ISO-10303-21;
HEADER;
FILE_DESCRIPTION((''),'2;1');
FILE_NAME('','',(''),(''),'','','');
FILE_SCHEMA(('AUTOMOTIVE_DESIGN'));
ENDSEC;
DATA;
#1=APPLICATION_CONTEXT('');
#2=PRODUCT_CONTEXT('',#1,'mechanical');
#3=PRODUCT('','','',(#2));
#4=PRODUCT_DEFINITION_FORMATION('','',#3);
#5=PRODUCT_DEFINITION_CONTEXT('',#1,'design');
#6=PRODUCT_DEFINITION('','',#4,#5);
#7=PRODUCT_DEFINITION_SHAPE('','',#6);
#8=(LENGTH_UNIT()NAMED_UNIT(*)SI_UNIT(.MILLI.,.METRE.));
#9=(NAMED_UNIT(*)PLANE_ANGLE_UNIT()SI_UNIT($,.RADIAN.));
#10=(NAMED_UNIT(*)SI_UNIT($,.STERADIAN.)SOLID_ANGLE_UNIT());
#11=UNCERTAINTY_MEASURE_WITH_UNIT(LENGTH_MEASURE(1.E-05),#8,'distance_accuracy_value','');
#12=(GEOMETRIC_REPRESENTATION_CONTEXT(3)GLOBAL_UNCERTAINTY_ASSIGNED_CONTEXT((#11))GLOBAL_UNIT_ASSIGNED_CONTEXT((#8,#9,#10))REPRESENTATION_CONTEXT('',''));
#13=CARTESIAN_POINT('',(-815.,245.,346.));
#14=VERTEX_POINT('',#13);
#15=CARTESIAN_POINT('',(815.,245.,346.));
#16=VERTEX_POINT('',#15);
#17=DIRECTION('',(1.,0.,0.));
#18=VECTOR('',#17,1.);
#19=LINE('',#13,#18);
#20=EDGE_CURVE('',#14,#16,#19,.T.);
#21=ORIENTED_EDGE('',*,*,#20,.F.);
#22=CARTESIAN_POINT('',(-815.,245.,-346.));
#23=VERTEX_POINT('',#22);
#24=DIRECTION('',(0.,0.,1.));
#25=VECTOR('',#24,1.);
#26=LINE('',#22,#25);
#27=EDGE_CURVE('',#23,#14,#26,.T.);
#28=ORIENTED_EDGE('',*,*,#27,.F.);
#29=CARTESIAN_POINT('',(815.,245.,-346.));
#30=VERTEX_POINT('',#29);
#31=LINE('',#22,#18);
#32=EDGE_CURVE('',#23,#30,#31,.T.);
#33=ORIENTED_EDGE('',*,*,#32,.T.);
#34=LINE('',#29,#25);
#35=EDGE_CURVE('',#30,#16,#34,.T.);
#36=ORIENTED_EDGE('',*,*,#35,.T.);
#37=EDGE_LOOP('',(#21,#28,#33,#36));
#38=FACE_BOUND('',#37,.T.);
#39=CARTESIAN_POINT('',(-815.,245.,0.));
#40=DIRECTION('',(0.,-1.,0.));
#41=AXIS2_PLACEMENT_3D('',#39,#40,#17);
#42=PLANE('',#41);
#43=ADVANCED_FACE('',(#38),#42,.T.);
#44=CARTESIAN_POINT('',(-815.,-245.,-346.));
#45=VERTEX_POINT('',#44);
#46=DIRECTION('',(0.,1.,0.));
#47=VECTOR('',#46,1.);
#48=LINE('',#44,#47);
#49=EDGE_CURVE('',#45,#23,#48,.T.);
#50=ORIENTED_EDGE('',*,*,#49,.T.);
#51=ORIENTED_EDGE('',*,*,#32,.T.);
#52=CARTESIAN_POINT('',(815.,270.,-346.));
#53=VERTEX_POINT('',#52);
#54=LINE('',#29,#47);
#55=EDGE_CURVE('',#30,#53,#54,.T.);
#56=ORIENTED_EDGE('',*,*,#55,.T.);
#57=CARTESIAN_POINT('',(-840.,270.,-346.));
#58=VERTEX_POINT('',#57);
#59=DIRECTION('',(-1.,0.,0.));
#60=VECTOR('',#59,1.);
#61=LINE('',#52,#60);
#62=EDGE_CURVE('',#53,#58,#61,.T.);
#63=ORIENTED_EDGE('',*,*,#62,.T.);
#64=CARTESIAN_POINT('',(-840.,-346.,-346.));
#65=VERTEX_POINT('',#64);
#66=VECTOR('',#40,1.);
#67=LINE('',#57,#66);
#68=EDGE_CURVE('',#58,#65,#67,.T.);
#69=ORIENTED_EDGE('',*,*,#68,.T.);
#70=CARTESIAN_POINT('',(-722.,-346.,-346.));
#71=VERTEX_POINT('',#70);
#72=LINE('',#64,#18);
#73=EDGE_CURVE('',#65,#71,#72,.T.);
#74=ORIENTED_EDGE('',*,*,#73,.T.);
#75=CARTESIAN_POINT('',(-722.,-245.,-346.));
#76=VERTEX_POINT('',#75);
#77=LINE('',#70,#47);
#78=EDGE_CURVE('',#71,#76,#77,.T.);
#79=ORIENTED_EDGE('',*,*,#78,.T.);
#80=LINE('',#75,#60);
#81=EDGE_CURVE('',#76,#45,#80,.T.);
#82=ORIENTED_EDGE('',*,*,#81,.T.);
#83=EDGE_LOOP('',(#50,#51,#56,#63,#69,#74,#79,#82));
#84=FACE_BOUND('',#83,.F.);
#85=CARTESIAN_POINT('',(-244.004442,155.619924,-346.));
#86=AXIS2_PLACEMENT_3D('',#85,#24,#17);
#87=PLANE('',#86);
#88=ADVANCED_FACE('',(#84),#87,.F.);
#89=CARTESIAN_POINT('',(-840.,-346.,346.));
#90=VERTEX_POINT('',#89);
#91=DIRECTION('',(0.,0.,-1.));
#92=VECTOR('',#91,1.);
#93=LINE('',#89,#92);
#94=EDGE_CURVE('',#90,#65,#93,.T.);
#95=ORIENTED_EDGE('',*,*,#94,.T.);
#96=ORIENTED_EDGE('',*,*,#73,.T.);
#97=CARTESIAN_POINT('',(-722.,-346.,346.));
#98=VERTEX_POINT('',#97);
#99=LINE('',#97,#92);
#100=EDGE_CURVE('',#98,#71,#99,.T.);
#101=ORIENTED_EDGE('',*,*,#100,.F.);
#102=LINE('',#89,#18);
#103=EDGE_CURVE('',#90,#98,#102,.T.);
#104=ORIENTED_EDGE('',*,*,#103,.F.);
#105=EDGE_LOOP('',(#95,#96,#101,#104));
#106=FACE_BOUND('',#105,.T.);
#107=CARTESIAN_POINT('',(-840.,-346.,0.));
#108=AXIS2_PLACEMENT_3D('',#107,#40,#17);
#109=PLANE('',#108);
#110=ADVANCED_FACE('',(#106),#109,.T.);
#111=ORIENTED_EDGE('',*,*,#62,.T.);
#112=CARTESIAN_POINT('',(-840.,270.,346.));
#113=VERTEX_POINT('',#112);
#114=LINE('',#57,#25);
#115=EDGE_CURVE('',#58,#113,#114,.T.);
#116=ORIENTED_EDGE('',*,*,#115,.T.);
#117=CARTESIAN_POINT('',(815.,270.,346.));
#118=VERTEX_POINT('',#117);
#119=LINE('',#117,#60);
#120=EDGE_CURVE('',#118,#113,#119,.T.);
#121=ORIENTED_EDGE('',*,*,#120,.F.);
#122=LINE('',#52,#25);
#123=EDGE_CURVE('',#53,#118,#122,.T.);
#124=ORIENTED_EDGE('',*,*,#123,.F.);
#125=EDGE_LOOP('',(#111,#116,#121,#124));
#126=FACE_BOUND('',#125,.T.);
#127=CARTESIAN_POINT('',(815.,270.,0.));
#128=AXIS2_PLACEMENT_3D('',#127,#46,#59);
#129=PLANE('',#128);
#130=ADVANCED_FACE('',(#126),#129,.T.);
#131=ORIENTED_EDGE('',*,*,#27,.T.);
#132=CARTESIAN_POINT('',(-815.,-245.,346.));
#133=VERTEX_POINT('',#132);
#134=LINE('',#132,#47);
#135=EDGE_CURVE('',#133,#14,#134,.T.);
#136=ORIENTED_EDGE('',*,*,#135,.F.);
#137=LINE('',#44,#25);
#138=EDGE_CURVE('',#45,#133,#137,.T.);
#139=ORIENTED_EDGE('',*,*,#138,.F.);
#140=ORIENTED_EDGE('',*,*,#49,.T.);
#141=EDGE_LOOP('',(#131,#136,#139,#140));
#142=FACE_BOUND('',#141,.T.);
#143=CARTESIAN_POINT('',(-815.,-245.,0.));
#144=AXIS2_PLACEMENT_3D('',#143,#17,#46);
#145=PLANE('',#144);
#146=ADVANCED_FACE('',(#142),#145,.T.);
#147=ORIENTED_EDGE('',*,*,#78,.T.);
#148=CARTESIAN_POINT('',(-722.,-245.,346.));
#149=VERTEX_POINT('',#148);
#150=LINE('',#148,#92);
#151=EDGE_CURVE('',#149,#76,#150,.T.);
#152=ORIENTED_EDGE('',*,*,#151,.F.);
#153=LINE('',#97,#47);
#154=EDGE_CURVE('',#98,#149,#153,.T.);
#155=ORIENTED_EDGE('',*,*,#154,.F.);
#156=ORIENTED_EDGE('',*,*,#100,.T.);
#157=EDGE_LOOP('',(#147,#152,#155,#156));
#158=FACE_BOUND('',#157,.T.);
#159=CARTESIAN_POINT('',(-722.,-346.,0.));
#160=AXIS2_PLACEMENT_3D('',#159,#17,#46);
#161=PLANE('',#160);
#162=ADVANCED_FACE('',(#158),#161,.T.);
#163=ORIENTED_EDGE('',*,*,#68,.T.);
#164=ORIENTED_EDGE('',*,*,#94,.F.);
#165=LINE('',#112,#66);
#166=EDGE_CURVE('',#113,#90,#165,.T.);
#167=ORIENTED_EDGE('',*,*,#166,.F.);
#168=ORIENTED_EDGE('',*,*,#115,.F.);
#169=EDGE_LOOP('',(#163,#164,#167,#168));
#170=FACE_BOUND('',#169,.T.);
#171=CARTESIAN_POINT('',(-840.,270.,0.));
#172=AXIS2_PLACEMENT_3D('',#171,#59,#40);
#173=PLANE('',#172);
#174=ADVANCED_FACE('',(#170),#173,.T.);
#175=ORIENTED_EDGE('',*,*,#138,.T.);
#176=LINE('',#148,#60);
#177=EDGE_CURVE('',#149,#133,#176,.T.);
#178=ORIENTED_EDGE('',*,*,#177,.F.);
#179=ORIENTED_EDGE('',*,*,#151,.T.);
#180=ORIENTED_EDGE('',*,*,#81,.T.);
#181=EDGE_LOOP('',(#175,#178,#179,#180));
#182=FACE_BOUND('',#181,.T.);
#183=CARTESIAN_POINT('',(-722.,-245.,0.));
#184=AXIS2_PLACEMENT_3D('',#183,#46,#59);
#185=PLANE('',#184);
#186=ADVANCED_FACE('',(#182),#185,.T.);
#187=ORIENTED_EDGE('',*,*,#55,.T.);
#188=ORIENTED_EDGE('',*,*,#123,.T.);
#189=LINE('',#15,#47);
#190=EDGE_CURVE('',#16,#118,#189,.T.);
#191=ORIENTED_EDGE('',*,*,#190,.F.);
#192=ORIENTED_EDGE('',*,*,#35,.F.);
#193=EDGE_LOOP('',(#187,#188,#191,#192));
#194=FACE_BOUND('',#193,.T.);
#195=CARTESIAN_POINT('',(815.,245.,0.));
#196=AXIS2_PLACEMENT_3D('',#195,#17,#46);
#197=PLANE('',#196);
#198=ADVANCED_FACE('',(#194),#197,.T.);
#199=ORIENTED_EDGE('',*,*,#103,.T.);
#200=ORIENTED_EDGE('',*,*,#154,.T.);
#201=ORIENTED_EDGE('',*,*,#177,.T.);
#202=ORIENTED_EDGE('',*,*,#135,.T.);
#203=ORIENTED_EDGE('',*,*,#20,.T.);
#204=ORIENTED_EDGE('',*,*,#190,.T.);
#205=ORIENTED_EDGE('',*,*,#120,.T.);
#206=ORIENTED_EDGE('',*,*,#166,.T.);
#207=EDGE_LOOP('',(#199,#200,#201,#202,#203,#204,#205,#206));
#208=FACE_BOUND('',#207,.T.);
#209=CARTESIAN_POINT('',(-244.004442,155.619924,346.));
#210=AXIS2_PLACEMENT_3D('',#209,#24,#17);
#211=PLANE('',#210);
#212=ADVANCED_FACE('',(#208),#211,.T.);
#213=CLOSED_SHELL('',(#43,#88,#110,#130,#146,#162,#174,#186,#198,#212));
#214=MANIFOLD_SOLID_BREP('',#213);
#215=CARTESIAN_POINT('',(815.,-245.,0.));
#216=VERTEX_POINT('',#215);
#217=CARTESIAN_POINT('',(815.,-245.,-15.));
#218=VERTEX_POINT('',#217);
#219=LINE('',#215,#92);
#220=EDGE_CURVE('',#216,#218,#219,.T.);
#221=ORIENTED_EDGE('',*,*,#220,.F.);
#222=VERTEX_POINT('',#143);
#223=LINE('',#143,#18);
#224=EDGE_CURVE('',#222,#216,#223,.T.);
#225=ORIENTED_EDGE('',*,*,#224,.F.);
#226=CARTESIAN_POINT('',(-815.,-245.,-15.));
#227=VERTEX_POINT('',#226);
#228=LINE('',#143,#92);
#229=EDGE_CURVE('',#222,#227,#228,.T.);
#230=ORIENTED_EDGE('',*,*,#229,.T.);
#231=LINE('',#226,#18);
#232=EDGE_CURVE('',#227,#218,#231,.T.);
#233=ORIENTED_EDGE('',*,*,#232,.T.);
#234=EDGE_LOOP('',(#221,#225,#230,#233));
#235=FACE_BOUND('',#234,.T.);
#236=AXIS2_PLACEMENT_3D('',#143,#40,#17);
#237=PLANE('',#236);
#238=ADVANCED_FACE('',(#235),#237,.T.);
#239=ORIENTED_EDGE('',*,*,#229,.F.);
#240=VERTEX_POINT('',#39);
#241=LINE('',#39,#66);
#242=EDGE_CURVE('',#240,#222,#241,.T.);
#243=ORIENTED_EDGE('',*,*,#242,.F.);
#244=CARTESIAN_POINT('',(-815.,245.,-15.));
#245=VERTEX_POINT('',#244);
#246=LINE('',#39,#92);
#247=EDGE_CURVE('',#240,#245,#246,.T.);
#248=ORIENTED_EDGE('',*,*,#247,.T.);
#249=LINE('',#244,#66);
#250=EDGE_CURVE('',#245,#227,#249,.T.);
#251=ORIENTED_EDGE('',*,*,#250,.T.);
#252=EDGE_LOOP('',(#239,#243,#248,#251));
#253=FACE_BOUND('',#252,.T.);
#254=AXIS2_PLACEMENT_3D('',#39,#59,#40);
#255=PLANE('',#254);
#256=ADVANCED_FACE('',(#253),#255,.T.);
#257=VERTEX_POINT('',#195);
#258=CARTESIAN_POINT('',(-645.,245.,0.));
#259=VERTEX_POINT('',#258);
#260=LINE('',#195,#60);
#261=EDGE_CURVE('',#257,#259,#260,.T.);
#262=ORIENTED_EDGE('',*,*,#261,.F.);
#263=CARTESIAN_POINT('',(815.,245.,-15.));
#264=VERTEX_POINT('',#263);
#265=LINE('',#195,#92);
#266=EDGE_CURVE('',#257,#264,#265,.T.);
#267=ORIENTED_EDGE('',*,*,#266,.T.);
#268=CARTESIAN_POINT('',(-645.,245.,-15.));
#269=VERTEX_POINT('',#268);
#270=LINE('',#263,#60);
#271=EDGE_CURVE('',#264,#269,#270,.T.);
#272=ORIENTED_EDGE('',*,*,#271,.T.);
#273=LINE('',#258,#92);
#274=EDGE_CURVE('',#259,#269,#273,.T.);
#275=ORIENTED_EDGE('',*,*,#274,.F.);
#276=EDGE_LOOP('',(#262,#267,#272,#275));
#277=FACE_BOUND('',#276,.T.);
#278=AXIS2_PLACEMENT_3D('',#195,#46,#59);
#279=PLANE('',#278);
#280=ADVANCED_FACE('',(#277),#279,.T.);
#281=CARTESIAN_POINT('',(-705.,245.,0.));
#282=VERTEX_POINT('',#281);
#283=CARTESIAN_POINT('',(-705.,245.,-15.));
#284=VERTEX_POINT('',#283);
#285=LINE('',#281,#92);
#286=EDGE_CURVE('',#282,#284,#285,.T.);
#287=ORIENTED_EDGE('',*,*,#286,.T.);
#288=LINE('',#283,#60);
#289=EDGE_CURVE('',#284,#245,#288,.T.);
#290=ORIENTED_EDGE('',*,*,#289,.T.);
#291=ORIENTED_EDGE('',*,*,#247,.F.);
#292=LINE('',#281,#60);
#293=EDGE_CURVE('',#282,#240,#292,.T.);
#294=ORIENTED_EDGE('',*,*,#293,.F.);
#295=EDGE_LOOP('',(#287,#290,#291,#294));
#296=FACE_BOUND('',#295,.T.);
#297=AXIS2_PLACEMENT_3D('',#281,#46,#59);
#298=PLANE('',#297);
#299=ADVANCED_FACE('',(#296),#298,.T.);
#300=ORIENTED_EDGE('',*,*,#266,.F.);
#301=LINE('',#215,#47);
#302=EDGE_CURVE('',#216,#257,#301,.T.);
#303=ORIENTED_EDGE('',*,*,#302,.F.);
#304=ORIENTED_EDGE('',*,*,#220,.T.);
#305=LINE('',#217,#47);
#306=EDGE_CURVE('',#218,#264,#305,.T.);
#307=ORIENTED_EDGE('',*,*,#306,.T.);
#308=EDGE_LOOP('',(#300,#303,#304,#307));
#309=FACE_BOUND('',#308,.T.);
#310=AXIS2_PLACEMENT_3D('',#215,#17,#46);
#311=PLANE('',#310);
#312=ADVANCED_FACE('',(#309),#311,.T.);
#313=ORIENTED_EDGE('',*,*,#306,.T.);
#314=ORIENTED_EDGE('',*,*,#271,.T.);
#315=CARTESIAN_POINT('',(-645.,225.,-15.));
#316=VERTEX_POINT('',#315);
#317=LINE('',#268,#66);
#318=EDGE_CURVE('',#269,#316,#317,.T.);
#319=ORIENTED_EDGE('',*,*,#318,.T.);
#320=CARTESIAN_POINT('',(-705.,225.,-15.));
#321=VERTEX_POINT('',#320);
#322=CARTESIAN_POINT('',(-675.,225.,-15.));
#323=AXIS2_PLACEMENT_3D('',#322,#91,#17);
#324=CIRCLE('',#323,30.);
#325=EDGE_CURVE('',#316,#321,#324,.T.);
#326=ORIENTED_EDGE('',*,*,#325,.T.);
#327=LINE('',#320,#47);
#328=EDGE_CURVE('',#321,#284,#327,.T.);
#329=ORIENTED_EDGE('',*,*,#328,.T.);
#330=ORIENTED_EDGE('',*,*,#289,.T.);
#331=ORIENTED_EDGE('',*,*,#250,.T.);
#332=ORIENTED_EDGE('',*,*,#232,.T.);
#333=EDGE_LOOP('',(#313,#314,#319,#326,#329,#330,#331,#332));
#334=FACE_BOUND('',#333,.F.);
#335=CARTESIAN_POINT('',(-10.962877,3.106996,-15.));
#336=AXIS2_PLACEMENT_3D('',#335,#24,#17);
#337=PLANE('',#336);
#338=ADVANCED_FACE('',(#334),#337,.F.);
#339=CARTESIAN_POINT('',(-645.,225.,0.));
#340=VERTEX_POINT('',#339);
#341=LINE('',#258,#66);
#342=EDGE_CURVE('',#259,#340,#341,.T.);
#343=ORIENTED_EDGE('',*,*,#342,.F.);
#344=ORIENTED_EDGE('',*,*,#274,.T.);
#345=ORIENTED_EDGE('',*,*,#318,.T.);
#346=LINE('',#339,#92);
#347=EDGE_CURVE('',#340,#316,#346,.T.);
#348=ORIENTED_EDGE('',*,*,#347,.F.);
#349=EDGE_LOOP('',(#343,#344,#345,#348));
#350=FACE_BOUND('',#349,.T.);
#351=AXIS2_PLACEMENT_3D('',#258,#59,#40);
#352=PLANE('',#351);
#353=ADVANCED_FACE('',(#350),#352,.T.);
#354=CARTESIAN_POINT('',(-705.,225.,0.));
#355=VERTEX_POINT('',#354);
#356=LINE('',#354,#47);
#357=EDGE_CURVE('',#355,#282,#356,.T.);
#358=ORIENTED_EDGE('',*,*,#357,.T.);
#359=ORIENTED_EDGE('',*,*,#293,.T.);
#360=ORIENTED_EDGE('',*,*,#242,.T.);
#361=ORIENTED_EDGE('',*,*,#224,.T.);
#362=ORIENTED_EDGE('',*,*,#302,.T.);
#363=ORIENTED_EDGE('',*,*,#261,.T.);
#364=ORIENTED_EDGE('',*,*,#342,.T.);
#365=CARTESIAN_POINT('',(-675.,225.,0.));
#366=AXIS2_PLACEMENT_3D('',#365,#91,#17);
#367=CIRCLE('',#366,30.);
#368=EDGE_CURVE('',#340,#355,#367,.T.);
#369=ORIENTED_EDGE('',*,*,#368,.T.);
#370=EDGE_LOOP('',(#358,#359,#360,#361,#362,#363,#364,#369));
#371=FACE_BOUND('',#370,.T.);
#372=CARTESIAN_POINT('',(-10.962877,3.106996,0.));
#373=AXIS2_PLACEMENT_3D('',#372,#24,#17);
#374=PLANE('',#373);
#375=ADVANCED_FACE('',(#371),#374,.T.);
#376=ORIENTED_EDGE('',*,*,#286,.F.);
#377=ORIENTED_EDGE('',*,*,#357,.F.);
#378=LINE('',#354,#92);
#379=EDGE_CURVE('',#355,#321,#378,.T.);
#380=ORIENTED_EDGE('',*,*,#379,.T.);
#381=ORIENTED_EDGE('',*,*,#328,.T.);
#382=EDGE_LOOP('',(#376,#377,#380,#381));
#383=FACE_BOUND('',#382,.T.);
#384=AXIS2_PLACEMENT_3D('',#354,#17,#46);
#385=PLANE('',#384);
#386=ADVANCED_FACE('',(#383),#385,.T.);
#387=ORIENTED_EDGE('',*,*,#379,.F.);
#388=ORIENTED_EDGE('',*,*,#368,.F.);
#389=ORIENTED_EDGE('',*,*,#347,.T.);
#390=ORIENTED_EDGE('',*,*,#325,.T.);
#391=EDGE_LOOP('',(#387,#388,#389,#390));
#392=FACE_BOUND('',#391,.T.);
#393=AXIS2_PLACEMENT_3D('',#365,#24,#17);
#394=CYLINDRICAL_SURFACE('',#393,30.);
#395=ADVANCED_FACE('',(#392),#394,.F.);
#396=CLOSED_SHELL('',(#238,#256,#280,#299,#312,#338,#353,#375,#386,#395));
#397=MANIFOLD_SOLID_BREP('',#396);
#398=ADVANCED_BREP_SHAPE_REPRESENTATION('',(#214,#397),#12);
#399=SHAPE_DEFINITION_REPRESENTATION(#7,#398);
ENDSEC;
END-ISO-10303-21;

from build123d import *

# Parameters (mm, degrees)
F1_DEPTH = 15
F3_DEPTH = 346


with BuildPart() as f1:
    # F0 (on Top) → F1 (new body)
    with BuildSketch(Plane.XY):
        with BuildLine():
            Line((-705, 245), (-815, 245))
            Line((-815, 245), (-815, -245))
            Line((-815, -245), (815, -245))
            Line((815, -245), (815, 245))
            Line((815, 245), (-645, 245))
            Line((-645, 245), (-645, 225))
            ThreePointArc((-645, 225), (-675, 195), (-705, 225))
            Line((-705, 225), (-705, 245))
        make_face()
    extrude(amount=-F1_DEPTH)


with BuildPart() as f3:
    # F2 (on face) → F3 (new body, symmetric)
    with BuildSketch(Plane.XY):
        Polygon((-722, -245), (-815, -245), (-815, 245), (-705, 245), (-645, 245), (815, 245), (815, 270), (-840, 270), (-840, -346), (-722, -346), align=None)
    extrude(amount=F3_DEPTH, both=True)


solid = Compound([f1.part, f3.part])
